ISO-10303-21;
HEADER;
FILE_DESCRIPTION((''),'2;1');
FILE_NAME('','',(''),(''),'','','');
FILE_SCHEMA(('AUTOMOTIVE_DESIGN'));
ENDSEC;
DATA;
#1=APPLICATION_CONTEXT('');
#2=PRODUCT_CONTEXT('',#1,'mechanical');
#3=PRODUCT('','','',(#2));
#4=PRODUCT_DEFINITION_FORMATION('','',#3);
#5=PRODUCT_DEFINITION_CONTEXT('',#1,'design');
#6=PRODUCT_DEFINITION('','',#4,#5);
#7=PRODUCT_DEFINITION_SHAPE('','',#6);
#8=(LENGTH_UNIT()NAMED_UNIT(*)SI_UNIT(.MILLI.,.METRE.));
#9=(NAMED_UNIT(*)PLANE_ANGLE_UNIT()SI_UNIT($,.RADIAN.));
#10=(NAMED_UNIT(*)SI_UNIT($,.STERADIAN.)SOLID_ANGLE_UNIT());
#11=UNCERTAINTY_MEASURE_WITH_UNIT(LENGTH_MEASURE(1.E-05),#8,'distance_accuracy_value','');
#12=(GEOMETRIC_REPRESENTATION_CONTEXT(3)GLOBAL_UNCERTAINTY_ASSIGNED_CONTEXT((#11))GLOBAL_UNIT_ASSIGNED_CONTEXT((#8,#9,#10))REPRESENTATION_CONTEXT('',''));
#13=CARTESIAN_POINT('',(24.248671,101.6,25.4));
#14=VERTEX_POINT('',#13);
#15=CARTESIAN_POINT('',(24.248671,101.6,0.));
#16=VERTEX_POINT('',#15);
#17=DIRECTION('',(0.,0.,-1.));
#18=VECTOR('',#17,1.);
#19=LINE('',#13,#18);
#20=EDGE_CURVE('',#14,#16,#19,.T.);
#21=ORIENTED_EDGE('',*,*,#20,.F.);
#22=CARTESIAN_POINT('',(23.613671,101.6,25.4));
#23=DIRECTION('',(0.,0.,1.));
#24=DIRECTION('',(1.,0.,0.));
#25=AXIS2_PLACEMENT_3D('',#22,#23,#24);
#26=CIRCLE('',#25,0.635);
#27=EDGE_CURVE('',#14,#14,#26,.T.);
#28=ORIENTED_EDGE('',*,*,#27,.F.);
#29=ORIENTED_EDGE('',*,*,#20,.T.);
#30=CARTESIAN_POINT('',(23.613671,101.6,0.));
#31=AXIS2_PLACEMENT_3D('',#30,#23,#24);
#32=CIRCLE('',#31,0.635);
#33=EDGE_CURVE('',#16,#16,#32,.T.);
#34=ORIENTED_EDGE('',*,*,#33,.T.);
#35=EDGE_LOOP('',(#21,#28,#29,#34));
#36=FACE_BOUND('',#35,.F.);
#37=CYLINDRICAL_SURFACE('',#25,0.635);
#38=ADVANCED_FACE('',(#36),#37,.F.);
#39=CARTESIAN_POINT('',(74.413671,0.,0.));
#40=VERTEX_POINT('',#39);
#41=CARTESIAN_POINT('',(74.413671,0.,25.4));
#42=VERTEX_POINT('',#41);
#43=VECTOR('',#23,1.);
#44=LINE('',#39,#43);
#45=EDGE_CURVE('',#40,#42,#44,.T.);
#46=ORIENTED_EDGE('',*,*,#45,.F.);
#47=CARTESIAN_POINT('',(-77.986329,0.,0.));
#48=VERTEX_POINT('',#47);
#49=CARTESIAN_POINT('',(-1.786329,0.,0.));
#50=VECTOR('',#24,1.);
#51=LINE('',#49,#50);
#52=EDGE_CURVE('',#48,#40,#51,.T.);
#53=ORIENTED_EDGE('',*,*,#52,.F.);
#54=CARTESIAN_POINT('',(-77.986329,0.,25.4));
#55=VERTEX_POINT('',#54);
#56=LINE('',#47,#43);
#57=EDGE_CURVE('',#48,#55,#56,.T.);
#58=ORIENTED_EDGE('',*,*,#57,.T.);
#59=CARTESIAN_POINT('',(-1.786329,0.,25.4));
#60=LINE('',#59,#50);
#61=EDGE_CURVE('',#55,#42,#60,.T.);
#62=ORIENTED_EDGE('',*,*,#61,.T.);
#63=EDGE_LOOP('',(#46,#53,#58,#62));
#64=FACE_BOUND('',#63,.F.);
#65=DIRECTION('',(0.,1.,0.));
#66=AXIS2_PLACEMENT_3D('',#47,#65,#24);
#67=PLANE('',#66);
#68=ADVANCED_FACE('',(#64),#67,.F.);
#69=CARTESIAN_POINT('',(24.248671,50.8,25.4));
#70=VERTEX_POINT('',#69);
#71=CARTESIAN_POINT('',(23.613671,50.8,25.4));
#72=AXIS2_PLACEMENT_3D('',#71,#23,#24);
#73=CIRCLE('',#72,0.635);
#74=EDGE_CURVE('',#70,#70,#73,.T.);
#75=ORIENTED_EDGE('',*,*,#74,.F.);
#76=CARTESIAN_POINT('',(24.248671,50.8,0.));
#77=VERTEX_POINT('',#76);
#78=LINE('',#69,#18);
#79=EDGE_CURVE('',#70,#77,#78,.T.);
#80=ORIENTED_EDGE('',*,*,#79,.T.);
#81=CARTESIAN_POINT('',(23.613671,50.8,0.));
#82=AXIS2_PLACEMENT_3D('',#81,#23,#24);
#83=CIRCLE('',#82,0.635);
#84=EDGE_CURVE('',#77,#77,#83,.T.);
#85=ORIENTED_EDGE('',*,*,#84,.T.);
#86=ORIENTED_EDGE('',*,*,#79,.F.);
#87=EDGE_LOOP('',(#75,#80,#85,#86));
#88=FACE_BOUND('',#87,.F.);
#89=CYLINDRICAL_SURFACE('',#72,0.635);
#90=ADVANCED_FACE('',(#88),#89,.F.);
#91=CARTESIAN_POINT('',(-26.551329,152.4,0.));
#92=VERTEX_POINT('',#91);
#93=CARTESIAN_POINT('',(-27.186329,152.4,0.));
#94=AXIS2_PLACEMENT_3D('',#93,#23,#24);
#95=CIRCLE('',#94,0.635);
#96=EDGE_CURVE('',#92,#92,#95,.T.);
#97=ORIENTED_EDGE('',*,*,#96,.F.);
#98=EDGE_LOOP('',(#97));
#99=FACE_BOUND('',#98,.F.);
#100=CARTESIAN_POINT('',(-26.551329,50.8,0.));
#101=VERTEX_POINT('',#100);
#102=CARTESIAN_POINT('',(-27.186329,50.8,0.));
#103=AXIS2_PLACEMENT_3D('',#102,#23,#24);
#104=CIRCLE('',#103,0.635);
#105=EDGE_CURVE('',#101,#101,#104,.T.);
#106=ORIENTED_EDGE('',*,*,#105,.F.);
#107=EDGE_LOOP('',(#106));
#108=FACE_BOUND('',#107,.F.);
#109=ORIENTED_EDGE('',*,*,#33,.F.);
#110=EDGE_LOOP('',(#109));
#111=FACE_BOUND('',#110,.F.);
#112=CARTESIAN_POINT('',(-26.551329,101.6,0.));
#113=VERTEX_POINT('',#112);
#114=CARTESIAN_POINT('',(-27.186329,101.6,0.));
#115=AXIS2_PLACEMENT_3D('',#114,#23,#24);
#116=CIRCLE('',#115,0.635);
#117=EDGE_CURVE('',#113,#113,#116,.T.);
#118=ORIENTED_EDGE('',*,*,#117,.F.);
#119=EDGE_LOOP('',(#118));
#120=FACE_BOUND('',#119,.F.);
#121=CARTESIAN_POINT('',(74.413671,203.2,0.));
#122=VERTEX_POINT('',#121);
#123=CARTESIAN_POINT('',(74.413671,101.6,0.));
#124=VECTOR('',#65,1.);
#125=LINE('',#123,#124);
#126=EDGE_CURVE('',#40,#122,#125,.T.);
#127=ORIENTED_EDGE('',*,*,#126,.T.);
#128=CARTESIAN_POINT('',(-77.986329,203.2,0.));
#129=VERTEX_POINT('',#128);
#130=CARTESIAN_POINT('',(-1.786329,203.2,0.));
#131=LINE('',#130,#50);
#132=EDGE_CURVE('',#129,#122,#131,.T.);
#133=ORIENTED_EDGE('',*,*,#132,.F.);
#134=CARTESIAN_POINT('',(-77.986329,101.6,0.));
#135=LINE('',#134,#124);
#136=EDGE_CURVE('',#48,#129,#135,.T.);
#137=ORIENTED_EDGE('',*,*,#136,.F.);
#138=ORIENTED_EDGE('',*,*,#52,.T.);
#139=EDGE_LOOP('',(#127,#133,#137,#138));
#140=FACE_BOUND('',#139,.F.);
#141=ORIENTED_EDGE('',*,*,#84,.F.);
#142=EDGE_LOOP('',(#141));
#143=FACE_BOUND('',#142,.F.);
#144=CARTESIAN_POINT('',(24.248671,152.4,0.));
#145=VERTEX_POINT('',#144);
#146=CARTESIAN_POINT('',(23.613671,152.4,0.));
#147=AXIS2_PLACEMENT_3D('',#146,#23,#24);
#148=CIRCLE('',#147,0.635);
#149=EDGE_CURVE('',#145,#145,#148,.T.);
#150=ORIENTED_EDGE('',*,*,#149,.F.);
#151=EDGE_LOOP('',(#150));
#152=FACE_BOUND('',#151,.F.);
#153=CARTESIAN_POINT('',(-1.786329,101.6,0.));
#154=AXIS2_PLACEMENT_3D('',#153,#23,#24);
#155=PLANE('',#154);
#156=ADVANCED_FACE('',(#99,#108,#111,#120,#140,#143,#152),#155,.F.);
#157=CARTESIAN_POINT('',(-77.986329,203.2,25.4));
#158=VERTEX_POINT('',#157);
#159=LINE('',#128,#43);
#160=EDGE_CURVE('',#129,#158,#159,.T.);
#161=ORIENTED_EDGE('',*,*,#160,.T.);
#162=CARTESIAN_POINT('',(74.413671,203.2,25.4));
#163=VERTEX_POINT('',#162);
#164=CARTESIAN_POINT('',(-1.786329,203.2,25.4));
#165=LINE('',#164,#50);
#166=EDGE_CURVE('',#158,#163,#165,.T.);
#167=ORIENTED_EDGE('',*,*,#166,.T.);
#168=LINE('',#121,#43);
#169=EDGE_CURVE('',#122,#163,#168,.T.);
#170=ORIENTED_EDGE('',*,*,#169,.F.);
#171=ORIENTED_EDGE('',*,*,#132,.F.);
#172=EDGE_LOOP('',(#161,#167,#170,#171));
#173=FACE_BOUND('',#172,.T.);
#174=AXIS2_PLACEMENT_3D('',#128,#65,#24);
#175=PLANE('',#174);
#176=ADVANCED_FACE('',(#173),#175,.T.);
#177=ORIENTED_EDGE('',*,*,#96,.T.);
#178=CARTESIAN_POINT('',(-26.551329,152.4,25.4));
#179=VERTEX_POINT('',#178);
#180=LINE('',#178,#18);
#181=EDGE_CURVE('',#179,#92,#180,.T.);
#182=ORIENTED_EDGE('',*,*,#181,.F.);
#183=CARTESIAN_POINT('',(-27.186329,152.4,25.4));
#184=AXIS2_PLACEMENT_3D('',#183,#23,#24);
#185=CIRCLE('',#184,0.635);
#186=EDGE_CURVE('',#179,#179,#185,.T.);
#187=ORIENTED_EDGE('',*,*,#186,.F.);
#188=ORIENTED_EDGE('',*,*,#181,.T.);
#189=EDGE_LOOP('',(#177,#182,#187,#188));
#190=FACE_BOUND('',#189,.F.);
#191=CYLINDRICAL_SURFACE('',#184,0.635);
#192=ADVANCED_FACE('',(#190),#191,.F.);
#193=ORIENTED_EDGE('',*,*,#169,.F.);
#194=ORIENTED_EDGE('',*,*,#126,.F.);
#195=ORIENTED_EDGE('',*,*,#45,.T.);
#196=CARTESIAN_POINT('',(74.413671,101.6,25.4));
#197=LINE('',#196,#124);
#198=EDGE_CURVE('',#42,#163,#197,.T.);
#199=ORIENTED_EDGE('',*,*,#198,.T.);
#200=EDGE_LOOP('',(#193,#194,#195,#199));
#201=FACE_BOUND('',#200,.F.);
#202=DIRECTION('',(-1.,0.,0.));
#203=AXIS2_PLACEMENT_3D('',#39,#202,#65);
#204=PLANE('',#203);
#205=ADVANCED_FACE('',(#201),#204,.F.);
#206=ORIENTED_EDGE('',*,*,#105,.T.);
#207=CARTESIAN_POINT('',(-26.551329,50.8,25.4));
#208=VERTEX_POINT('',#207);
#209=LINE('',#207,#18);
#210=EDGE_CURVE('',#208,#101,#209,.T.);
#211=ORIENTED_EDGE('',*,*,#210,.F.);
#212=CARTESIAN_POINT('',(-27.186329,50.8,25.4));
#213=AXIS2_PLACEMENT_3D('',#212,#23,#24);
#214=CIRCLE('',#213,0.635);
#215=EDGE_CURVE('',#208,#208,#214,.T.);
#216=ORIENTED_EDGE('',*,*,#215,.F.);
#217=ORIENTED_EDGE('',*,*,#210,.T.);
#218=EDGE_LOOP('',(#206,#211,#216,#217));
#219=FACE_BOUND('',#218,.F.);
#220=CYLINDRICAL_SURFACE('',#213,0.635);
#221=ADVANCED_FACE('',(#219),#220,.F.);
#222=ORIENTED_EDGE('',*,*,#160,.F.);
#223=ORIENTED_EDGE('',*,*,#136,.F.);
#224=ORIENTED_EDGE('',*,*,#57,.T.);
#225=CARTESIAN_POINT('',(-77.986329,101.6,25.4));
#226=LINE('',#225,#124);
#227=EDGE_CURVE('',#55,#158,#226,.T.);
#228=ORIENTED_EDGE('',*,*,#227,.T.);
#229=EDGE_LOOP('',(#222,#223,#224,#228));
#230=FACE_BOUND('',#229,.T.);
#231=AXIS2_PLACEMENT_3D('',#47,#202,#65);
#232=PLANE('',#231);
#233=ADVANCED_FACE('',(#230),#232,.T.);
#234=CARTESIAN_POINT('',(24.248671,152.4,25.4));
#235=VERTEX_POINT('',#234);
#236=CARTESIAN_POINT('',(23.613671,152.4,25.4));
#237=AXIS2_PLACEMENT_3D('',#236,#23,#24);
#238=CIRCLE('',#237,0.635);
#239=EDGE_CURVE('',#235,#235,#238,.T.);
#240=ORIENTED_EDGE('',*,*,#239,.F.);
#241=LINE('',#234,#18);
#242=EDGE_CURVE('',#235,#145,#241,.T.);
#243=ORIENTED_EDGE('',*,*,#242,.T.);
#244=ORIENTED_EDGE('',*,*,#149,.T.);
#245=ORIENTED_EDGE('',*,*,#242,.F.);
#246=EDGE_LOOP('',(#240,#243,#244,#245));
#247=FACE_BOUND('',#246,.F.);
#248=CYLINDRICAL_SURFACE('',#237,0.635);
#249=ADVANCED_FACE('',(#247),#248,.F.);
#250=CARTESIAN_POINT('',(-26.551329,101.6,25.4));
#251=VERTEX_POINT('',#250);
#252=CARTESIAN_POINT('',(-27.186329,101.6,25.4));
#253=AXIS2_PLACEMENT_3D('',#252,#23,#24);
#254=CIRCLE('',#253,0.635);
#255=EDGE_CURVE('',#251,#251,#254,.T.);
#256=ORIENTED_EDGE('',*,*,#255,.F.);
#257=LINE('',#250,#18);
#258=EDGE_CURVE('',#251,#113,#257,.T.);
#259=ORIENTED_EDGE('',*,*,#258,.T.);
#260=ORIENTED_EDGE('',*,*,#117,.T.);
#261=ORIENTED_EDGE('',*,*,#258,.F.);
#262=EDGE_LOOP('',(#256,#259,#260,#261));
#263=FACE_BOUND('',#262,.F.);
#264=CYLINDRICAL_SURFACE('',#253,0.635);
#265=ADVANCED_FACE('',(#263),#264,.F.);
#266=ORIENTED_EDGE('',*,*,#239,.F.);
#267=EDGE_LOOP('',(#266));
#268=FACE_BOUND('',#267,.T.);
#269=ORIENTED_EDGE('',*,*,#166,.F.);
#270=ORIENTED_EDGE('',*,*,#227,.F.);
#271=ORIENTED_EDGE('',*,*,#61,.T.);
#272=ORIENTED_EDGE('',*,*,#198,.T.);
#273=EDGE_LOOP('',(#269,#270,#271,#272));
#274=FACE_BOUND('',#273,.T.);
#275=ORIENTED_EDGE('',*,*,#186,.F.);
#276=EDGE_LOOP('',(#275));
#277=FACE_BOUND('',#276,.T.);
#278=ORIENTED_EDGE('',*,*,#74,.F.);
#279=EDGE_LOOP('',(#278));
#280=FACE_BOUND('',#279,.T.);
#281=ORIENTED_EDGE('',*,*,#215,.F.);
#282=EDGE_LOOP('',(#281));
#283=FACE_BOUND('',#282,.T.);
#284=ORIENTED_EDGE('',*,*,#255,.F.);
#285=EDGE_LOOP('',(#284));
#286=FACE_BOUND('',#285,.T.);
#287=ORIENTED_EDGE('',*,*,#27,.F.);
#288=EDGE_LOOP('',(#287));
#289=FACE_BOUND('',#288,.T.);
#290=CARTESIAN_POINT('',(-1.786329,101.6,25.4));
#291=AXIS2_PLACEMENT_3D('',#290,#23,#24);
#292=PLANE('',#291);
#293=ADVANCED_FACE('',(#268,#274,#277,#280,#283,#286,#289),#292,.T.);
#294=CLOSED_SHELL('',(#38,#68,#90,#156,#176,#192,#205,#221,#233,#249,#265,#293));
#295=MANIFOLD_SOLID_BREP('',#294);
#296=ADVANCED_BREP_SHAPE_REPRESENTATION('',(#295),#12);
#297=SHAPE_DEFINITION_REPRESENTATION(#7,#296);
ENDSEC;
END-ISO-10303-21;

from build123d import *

# Parameters (mm, degrees)
F0_W     = 152.4
F0_H     = 203.2
F1_DEPTH = 25.4
F2_R     = 0.635
F3_DEPTH = 25.4


with BuildPart() as f1:
    # F0 (on Top) → F1 (new body)
    with BuildSketch(Plane.XY):
        with Locations((-1.786329, 101.6)):
            Rectangle(F0_W, F0_H)
    extrude(amount=F1_DEPTH)

    # F2 (on face) → F3 (cut)
    with BuildSketch(Plane.XY.offset(25.4)):
        with Locations((23.613671, 152.4)):
            Circle(F2_R)
        with Locations((23.613671, 101.6)):
            Circle(F2_R)
        with Locations((23.613671, 50.8)):
            Circle(F2_R)
        with Locations((-27.186329, 152.4)):
            Circle(F2_R)
        with Locations((-27.186329, 101.6)):
            Circle(F2_R)
        with Locations((-27.186329, 50.8)):
            Circle(F2_R)
    extrude(amount=-F3_DEPTH, mode=Mode.SUBTRACT)


solid = f1.part
